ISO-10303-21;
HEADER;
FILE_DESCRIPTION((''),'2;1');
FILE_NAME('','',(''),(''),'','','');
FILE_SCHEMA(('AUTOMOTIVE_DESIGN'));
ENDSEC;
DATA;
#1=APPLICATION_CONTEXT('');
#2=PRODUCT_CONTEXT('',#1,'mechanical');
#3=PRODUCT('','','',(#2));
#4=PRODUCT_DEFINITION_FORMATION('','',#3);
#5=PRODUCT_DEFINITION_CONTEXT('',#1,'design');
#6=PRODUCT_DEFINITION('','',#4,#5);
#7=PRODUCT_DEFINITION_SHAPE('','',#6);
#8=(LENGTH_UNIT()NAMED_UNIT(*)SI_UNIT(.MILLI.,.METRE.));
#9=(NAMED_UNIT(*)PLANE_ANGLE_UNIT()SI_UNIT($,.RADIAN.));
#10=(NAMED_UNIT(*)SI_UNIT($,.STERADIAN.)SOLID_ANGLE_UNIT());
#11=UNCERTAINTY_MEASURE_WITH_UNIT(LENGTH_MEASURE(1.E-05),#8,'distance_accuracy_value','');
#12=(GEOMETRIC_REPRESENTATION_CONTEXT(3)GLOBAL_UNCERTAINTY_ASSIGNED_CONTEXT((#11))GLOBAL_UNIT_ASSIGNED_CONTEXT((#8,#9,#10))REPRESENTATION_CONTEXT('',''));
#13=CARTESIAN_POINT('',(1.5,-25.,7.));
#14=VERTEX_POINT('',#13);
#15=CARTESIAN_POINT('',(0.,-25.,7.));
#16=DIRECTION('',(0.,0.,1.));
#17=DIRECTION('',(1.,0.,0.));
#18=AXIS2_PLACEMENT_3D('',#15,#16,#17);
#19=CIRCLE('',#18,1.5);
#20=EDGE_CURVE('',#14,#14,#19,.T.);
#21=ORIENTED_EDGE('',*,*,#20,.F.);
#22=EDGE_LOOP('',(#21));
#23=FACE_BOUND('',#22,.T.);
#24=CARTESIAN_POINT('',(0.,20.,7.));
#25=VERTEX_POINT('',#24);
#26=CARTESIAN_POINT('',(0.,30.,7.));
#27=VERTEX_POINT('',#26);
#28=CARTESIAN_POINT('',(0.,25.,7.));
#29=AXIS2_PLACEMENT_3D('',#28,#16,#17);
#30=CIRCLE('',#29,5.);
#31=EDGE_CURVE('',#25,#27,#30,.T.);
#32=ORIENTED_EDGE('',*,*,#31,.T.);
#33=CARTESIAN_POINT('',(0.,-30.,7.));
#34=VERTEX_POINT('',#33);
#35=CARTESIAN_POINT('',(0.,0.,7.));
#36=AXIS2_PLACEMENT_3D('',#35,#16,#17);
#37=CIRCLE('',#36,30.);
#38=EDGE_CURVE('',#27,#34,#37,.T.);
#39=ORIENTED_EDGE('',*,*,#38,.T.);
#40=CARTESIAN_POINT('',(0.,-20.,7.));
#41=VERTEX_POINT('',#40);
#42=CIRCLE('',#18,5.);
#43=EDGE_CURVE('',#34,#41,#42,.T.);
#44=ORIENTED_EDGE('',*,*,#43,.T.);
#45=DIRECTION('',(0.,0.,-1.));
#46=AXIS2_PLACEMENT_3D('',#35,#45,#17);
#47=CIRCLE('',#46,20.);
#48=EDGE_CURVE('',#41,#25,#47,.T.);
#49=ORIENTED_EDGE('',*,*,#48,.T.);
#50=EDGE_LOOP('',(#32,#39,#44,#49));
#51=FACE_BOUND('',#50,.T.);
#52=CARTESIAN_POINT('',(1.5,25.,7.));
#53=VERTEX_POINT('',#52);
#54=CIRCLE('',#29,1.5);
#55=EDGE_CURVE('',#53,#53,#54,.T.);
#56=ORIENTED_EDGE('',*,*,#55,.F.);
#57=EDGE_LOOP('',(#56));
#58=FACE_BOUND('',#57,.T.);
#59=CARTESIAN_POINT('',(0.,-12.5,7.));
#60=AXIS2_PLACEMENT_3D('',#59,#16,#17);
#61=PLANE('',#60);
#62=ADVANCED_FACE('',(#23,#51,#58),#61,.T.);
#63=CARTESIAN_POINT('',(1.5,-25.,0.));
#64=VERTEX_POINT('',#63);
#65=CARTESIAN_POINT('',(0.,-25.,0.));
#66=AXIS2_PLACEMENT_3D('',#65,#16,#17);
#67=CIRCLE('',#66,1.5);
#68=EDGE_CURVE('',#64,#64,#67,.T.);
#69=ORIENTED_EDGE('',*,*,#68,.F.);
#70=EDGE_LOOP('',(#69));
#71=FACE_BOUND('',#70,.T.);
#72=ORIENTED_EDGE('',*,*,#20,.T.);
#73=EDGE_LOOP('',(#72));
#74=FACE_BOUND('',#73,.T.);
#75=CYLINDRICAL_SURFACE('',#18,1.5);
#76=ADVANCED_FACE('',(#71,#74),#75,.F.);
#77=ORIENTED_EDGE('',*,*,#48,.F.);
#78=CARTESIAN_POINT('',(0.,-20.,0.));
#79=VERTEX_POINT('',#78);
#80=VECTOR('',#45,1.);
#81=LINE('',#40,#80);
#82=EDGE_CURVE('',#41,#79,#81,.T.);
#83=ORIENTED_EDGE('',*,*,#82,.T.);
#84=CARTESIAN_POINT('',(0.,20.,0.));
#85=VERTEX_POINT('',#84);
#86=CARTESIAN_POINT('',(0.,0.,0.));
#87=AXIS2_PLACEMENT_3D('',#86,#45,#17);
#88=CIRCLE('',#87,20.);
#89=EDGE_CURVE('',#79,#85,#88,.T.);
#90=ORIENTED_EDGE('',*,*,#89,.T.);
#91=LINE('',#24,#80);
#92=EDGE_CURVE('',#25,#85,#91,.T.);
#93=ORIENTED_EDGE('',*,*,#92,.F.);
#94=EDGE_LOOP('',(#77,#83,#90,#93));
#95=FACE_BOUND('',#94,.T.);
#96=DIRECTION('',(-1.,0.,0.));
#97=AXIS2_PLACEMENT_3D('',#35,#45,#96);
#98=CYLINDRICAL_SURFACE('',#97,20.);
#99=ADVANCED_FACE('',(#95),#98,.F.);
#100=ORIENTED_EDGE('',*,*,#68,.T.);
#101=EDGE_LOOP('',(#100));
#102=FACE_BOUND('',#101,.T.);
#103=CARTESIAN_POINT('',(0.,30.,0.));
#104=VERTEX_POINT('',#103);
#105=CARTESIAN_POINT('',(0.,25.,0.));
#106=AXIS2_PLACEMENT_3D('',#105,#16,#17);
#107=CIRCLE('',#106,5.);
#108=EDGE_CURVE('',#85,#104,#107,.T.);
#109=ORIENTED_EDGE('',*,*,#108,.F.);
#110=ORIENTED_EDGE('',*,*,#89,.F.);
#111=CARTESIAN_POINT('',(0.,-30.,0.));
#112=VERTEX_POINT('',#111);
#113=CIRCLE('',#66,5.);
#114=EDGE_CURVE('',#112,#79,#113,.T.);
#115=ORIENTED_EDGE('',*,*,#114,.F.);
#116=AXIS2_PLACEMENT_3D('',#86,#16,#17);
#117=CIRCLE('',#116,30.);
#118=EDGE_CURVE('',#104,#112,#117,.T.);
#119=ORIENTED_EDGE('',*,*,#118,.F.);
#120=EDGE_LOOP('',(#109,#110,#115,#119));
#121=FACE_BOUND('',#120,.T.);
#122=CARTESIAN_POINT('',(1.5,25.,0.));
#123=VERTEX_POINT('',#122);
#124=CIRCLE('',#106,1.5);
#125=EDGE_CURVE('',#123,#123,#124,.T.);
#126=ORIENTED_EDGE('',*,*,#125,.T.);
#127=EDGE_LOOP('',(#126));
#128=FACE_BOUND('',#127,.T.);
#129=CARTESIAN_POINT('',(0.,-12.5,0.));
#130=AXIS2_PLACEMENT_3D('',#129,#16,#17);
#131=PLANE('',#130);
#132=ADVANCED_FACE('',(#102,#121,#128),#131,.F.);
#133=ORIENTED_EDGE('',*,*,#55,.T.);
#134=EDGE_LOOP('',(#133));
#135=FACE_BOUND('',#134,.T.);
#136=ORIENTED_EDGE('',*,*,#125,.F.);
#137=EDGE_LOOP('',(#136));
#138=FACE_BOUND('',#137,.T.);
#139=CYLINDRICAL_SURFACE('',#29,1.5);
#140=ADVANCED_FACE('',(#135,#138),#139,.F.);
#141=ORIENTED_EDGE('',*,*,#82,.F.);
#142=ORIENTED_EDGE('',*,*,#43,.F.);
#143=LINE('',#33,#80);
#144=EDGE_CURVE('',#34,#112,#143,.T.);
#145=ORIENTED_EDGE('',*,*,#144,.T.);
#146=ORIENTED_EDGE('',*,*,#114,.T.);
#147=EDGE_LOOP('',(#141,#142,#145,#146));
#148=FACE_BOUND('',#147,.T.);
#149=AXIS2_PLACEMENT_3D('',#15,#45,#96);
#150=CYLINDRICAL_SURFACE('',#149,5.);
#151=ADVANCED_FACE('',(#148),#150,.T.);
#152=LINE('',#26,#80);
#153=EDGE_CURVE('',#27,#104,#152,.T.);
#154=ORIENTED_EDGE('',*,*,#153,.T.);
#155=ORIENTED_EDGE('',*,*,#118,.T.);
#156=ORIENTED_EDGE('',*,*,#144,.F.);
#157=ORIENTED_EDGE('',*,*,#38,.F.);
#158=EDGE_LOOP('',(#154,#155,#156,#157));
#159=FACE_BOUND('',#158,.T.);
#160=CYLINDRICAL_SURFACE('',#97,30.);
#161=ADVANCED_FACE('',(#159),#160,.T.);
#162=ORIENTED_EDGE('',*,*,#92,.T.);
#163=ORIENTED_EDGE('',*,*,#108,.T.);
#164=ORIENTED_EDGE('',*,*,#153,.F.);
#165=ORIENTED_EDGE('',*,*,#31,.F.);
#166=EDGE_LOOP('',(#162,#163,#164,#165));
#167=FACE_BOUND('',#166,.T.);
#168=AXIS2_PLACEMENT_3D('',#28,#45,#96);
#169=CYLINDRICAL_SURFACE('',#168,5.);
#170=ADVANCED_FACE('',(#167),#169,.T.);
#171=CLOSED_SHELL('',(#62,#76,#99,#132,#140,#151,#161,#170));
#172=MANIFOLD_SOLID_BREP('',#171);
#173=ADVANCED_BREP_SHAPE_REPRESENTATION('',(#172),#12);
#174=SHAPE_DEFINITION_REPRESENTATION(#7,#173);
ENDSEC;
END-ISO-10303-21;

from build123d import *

# Parameters (mm, degrees)
BOSS_EXTRUDE1_DEPTH   = 7
F_3_0MM_DOWEL_HOLE1_D = 3


with BuildPart() as part:
    # Sketch1 → Boss-Extrude1 (new body)
    with BuildSketch(Plane.XY):
        with BuildLine():
            ThreePointArc((0, 30), (-30, 0), (0, -30))
            ThreePointArc((0, -30), (5, -25), (0, -20))
            ThreePointArc((0, -20), (-20, 0), (0, 20))
            ThreePointArc((0, 20), (5, 25), (0, 30))
        make_face()
    extrude(amount=BOSS_EXTRUDE1_DEPTH)

    # Ø3.0mm Dowel Hole1 (through all)
    with Locations(Plane.XY.offset(7)):
        with Locations((0, 25), (0, -25)):
            Hole(F_3_0MM_DOWEL_HOLE1_D / 2)


solid = part.part
